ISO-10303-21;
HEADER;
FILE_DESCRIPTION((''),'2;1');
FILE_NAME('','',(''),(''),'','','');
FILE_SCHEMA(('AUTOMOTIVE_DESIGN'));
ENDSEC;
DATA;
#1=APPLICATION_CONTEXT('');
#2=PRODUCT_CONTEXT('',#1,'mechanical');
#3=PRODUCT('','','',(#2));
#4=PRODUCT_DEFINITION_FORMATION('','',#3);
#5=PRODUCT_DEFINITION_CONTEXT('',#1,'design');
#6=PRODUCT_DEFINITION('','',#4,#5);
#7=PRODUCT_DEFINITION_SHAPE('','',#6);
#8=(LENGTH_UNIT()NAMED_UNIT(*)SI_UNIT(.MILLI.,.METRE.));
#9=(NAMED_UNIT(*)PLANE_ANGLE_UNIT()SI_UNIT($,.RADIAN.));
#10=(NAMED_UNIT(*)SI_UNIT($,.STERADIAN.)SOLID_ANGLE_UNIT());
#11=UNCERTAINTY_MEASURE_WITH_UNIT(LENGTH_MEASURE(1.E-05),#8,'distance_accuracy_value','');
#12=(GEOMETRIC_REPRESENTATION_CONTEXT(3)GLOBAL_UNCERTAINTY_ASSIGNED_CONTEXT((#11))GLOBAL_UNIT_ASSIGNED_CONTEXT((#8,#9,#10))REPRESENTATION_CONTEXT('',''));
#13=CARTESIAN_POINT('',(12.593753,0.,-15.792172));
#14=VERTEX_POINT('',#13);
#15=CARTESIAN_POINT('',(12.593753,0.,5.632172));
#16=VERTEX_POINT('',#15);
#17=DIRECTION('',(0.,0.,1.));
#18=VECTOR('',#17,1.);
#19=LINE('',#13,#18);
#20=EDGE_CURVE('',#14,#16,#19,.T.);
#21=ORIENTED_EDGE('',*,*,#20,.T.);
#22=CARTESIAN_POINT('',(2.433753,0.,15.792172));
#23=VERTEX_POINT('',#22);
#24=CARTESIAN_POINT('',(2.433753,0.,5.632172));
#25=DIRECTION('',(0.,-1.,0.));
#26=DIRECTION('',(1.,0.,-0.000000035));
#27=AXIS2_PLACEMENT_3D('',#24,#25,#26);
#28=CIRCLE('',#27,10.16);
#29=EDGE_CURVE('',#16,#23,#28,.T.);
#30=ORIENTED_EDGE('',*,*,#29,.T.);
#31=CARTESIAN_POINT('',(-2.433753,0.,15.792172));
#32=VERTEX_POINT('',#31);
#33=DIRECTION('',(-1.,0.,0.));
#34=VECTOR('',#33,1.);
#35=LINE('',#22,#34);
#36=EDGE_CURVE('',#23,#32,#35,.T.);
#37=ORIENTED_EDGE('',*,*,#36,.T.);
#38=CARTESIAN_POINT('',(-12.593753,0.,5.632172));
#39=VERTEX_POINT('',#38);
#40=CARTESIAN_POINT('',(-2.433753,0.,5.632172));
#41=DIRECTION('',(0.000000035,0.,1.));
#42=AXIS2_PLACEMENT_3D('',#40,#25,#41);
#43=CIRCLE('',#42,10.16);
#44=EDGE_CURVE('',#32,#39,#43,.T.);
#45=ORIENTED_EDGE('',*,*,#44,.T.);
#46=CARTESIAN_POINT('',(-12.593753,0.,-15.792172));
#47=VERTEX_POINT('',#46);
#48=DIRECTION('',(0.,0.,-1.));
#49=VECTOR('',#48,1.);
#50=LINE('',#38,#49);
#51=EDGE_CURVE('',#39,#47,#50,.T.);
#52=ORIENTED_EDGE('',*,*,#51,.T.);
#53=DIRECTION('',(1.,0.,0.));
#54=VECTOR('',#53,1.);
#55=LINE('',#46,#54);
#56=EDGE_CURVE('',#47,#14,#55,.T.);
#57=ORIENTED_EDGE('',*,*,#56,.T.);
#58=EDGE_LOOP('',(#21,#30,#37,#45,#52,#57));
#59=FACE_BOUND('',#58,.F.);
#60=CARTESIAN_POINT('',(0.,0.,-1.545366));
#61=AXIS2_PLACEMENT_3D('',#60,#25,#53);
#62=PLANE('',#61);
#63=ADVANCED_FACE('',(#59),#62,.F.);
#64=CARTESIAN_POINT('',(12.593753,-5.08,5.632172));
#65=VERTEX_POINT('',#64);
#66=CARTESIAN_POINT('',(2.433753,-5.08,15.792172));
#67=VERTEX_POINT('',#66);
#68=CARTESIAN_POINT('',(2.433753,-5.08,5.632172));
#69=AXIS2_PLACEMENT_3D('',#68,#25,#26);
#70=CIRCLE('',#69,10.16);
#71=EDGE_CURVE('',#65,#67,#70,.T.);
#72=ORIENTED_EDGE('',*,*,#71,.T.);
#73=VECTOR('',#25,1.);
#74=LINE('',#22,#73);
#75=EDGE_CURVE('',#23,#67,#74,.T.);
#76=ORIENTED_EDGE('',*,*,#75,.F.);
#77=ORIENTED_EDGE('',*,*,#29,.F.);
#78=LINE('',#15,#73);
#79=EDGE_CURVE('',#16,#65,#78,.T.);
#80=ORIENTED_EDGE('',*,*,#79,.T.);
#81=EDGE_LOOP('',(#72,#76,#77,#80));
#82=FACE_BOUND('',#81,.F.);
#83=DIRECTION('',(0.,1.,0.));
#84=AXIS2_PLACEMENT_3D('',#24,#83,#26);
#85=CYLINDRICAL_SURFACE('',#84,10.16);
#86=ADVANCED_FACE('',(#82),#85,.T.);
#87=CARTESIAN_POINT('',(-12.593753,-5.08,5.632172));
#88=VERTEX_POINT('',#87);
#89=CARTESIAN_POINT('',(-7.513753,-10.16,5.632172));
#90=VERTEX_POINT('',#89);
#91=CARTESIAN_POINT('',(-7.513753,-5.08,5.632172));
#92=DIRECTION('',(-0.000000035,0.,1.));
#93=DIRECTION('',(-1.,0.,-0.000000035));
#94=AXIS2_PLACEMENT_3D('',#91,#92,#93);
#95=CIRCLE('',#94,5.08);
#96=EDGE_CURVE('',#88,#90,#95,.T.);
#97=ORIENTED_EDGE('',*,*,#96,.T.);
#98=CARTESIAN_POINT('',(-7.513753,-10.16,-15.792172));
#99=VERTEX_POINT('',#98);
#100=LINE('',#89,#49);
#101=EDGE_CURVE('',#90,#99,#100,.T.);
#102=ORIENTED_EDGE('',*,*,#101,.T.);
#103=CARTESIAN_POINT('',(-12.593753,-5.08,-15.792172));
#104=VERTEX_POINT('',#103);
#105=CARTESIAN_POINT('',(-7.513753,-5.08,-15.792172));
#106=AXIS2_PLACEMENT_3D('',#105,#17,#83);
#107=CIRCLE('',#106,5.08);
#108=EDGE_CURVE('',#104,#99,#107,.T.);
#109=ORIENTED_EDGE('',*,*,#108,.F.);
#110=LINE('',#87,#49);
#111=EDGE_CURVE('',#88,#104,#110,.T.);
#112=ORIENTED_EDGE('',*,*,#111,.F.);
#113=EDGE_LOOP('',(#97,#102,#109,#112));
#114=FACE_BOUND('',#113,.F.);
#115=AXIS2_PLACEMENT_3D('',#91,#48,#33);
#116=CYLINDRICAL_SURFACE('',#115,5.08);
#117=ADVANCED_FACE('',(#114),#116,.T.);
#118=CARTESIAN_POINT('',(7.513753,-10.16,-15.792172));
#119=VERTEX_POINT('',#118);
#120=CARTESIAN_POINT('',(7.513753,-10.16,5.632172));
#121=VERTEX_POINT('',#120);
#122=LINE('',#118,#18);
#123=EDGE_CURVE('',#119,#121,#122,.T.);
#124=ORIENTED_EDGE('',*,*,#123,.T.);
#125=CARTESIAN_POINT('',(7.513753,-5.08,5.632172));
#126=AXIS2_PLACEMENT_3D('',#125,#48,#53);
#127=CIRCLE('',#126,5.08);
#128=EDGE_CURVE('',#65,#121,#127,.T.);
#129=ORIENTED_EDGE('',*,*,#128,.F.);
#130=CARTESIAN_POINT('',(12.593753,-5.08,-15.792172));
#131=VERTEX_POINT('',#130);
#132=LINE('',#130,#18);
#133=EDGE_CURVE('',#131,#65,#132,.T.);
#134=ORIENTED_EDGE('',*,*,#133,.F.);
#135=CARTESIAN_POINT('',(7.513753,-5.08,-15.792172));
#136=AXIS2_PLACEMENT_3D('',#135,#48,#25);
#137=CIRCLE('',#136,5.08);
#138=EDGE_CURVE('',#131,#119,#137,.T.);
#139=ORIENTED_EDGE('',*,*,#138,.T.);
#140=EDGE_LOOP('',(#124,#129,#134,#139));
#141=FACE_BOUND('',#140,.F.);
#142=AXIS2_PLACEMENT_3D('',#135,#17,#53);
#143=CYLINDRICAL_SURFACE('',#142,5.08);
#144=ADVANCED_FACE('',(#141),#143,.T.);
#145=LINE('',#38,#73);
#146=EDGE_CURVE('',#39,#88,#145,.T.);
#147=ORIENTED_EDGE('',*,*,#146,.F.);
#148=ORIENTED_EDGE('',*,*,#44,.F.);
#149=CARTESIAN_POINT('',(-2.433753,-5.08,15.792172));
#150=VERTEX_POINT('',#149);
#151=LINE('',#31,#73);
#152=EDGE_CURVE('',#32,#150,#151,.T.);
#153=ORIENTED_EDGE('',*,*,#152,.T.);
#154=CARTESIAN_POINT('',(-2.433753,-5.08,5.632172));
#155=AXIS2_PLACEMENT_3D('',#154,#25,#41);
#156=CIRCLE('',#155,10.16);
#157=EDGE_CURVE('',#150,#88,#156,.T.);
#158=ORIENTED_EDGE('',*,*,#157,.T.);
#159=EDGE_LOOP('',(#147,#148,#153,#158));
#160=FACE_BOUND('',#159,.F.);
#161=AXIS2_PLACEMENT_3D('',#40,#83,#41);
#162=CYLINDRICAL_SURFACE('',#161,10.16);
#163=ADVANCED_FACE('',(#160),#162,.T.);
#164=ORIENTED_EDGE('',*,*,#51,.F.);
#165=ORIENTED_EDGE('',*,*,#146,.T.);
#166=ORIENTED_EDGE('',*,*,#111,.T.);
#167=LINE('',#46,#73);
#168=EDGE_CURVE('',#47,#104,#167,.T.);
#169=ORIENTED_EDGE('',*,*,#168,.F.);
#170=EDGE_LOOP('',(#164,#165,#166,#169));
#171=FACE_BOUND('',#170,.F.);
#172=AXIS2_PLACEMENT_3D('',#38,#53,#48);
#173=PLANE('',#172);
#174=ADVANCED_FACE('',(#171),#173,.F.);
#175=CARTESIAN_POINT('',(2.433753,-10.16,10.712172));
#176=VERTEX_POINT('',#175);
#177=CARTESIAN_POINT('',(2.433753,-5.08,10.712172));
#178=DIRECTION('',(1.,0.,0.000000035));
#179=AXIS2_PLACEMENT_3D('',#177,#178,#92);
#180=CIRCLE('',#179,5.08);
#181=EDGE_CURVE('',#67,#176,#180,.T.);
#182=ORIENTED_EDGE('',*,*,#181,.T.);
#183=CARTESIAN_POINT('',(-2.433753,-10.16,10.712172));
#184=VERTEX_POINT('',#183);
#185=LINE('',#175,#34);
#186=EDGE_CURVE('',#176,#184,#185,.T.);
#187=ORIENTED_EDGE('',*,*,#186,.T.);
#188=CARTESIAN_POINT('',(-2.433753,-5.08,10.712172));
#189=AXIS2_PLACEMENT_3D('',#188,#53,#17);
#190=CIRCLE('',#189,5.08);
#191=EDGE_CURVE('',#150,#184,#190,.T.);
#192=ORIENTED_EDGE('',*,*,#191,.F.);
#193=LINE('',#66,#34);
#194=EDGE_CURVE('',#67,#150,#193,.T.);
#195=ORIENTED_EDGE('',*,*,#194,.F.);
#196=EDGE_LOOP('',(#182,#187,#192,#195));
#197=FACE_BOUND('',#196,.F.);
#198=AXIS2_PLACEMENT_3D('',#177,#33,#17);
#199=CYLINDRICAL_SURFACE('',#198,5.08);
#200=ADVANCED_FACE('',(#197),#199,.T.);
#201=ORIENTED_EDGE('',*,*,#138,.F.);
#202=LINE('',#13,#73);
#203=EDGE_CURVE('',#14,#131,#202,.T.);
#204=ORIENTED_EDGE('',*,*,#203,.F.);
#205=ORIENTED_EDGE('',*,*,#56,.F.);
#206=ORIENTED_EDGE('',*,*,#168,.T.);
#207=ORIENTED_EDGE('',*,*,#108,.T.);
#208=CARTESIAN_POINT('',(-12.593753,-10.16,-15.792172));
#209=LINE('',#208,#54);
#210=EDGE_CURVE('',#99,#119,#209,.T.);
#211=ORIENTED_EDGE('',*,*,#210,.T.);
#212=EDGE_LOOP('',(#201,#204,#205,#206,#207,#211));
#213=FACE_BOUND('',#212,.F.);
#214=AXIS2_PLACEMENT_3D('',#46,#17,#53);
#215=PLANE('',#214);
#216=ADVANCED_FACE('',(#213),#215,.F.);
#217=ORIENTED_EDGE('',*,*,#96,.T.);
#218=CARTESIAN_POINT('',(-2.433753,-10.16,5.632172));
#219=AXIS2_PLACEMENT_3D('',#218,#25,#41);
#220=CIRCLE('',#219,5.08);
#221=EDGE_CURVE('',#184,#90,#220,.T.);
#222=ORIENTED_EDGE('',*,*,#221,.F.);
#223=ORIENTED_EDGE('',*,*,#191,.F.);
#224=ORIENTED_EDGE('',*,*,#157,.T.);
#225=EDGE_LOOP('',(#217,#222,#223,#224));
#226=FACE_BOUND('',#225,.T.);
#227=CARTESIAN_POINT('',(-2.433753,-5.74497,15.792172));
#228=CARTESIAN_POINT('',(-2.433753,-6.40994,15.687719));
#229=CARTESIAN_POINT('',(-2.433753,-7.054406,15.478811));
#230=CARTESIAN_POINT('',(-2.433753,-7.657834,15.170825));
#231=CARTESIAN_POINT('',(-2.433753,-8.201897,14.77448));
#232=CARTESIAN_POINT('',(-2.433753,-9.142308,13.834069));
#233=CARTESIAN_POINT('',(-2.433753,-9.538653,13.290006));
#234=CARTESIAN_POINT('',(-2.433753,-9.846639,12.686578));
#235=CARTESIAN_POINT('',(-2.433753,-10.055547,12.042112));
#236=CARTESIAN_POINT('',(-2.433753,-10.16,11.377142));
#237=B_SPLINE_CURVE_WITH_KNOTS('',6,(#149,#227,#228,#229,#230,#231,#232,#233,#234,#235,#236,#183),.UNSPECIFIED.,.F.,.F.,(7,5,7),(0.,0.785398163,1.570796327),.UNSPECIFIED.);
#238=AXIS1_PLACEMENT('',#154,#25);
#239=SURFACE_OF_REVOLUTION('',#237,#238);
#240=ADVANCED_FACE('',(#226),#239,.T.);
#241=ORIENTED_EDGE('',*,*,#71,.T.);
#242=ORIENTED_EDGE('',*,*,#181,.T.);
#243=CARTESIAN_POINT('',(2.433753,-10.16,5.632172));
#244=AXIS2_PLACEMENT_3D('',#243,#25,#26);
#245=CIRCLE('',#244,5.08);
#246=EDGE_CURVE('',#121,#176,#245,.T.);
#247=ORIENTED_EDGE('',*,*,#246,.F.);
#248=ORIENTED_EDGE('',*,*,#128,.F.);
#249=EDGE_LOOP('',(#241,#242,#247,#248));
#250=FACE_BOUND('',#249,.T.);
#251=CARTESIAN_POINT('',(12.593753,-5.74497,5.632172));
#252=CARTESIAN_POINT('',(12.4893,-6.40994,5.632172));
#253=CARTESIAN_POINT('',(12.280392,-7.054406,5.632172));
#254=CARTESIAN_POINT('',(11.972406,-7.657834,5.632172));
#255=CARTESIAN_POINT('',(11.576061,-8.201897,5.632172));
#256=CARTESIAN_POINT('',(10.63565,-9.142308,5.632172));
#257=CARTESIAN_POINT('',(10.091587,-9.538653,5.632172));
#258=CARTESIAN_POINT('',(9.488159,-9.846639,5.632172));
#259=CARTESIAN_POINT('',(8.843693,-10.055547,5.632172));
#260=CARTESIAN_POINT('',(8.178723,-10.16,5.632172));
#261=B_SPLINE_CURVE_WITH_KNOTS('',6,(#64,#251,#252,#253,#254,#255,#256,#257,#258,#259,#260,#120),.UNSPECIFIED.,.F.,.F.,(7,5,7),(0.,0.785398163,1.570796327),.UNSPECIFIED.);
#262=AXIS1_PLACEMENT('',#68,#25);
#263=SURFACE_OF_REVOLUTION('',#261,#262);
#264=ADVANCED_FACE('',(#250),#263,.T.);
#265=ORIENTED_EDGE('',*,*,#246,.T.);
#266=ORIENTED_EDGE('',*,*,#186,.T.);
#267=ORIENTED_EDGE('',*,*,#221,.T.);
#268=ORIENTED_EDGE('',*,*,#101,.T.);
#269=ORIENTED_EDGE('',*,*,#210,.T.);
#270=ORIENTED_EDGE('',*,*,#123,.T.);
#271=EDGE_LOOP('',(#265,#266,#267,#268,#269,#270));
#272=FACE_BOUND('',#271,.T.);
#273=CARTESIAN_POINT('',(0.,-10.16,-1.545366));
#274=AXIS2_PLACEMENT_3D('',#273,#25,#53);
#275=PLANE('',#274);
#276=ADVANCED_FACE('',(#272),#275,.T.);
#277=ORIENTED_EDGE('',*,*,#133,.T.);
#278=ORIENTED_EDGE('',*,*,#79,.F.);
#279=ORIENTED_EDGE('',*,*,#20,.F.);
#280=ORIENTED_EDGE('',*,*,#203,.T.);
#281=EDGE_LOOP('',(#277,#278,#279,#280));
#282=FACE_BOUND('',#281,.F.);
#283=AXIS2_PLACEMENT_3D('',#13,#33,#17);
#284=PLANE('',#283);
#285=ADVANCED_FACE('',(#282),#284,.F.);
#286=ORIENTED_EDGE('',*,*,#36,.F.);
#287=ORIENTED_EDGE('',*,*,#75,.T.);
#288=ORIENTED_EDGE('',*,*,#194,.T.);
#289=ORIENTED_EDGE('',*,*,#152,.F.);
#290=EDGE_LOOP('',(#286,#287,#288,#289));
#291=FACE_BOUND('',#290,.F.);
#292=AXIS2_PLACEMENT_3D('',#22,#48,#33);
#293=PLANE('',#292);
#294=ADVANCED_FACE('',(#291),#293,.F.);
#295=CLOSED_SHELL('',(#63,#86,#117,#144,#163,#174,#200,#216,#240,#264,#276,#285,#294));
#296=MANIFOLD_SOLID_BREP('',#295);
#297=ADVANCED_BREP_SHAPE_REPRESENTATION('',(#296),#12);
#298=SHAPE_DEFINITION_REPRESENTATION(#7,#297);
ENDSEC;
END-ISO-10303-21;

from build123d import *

# Parameters (mm, degrees)
F1_DEPTH = 10.16
F2_R     = 5.08


with BuildPart() as f1:
    # F0 (on Front) → F1 (new body)
    with BuildSketch(Plane.XZ):
        with BuildLine():
            Line((-12.593753, -15.792172), (12.593753, -15.792172))
            Line((12.593753, -15.792172), (12.593753, 5.632172))
            ThreePointArc((12.593753, 5.632172), (9.617958, 12.816377), (2.433753, 15.792172))
            Line((2.433753, 15.792172), (-2.433753, 15.792172))
            ThreePointArc((-2.433753, 15.792172), (-9.617958, 12.816377), (-12.593753, 5.632172))
            Line((-12.593753, 5.632172), (-12.593753, -15.792172))
        make_face()
    extrude(amount=F1_DEPTH)

    # F2
    f2_edges = [f1.edges().sort_by_distance(p)[0] for p in [
        (9.617958, -10.16, 12.816377),
        (12.593753, -10.16, -5.08),
    ]]
    fillet(f2_edges, radius=F2_R)


solid = f1.part
